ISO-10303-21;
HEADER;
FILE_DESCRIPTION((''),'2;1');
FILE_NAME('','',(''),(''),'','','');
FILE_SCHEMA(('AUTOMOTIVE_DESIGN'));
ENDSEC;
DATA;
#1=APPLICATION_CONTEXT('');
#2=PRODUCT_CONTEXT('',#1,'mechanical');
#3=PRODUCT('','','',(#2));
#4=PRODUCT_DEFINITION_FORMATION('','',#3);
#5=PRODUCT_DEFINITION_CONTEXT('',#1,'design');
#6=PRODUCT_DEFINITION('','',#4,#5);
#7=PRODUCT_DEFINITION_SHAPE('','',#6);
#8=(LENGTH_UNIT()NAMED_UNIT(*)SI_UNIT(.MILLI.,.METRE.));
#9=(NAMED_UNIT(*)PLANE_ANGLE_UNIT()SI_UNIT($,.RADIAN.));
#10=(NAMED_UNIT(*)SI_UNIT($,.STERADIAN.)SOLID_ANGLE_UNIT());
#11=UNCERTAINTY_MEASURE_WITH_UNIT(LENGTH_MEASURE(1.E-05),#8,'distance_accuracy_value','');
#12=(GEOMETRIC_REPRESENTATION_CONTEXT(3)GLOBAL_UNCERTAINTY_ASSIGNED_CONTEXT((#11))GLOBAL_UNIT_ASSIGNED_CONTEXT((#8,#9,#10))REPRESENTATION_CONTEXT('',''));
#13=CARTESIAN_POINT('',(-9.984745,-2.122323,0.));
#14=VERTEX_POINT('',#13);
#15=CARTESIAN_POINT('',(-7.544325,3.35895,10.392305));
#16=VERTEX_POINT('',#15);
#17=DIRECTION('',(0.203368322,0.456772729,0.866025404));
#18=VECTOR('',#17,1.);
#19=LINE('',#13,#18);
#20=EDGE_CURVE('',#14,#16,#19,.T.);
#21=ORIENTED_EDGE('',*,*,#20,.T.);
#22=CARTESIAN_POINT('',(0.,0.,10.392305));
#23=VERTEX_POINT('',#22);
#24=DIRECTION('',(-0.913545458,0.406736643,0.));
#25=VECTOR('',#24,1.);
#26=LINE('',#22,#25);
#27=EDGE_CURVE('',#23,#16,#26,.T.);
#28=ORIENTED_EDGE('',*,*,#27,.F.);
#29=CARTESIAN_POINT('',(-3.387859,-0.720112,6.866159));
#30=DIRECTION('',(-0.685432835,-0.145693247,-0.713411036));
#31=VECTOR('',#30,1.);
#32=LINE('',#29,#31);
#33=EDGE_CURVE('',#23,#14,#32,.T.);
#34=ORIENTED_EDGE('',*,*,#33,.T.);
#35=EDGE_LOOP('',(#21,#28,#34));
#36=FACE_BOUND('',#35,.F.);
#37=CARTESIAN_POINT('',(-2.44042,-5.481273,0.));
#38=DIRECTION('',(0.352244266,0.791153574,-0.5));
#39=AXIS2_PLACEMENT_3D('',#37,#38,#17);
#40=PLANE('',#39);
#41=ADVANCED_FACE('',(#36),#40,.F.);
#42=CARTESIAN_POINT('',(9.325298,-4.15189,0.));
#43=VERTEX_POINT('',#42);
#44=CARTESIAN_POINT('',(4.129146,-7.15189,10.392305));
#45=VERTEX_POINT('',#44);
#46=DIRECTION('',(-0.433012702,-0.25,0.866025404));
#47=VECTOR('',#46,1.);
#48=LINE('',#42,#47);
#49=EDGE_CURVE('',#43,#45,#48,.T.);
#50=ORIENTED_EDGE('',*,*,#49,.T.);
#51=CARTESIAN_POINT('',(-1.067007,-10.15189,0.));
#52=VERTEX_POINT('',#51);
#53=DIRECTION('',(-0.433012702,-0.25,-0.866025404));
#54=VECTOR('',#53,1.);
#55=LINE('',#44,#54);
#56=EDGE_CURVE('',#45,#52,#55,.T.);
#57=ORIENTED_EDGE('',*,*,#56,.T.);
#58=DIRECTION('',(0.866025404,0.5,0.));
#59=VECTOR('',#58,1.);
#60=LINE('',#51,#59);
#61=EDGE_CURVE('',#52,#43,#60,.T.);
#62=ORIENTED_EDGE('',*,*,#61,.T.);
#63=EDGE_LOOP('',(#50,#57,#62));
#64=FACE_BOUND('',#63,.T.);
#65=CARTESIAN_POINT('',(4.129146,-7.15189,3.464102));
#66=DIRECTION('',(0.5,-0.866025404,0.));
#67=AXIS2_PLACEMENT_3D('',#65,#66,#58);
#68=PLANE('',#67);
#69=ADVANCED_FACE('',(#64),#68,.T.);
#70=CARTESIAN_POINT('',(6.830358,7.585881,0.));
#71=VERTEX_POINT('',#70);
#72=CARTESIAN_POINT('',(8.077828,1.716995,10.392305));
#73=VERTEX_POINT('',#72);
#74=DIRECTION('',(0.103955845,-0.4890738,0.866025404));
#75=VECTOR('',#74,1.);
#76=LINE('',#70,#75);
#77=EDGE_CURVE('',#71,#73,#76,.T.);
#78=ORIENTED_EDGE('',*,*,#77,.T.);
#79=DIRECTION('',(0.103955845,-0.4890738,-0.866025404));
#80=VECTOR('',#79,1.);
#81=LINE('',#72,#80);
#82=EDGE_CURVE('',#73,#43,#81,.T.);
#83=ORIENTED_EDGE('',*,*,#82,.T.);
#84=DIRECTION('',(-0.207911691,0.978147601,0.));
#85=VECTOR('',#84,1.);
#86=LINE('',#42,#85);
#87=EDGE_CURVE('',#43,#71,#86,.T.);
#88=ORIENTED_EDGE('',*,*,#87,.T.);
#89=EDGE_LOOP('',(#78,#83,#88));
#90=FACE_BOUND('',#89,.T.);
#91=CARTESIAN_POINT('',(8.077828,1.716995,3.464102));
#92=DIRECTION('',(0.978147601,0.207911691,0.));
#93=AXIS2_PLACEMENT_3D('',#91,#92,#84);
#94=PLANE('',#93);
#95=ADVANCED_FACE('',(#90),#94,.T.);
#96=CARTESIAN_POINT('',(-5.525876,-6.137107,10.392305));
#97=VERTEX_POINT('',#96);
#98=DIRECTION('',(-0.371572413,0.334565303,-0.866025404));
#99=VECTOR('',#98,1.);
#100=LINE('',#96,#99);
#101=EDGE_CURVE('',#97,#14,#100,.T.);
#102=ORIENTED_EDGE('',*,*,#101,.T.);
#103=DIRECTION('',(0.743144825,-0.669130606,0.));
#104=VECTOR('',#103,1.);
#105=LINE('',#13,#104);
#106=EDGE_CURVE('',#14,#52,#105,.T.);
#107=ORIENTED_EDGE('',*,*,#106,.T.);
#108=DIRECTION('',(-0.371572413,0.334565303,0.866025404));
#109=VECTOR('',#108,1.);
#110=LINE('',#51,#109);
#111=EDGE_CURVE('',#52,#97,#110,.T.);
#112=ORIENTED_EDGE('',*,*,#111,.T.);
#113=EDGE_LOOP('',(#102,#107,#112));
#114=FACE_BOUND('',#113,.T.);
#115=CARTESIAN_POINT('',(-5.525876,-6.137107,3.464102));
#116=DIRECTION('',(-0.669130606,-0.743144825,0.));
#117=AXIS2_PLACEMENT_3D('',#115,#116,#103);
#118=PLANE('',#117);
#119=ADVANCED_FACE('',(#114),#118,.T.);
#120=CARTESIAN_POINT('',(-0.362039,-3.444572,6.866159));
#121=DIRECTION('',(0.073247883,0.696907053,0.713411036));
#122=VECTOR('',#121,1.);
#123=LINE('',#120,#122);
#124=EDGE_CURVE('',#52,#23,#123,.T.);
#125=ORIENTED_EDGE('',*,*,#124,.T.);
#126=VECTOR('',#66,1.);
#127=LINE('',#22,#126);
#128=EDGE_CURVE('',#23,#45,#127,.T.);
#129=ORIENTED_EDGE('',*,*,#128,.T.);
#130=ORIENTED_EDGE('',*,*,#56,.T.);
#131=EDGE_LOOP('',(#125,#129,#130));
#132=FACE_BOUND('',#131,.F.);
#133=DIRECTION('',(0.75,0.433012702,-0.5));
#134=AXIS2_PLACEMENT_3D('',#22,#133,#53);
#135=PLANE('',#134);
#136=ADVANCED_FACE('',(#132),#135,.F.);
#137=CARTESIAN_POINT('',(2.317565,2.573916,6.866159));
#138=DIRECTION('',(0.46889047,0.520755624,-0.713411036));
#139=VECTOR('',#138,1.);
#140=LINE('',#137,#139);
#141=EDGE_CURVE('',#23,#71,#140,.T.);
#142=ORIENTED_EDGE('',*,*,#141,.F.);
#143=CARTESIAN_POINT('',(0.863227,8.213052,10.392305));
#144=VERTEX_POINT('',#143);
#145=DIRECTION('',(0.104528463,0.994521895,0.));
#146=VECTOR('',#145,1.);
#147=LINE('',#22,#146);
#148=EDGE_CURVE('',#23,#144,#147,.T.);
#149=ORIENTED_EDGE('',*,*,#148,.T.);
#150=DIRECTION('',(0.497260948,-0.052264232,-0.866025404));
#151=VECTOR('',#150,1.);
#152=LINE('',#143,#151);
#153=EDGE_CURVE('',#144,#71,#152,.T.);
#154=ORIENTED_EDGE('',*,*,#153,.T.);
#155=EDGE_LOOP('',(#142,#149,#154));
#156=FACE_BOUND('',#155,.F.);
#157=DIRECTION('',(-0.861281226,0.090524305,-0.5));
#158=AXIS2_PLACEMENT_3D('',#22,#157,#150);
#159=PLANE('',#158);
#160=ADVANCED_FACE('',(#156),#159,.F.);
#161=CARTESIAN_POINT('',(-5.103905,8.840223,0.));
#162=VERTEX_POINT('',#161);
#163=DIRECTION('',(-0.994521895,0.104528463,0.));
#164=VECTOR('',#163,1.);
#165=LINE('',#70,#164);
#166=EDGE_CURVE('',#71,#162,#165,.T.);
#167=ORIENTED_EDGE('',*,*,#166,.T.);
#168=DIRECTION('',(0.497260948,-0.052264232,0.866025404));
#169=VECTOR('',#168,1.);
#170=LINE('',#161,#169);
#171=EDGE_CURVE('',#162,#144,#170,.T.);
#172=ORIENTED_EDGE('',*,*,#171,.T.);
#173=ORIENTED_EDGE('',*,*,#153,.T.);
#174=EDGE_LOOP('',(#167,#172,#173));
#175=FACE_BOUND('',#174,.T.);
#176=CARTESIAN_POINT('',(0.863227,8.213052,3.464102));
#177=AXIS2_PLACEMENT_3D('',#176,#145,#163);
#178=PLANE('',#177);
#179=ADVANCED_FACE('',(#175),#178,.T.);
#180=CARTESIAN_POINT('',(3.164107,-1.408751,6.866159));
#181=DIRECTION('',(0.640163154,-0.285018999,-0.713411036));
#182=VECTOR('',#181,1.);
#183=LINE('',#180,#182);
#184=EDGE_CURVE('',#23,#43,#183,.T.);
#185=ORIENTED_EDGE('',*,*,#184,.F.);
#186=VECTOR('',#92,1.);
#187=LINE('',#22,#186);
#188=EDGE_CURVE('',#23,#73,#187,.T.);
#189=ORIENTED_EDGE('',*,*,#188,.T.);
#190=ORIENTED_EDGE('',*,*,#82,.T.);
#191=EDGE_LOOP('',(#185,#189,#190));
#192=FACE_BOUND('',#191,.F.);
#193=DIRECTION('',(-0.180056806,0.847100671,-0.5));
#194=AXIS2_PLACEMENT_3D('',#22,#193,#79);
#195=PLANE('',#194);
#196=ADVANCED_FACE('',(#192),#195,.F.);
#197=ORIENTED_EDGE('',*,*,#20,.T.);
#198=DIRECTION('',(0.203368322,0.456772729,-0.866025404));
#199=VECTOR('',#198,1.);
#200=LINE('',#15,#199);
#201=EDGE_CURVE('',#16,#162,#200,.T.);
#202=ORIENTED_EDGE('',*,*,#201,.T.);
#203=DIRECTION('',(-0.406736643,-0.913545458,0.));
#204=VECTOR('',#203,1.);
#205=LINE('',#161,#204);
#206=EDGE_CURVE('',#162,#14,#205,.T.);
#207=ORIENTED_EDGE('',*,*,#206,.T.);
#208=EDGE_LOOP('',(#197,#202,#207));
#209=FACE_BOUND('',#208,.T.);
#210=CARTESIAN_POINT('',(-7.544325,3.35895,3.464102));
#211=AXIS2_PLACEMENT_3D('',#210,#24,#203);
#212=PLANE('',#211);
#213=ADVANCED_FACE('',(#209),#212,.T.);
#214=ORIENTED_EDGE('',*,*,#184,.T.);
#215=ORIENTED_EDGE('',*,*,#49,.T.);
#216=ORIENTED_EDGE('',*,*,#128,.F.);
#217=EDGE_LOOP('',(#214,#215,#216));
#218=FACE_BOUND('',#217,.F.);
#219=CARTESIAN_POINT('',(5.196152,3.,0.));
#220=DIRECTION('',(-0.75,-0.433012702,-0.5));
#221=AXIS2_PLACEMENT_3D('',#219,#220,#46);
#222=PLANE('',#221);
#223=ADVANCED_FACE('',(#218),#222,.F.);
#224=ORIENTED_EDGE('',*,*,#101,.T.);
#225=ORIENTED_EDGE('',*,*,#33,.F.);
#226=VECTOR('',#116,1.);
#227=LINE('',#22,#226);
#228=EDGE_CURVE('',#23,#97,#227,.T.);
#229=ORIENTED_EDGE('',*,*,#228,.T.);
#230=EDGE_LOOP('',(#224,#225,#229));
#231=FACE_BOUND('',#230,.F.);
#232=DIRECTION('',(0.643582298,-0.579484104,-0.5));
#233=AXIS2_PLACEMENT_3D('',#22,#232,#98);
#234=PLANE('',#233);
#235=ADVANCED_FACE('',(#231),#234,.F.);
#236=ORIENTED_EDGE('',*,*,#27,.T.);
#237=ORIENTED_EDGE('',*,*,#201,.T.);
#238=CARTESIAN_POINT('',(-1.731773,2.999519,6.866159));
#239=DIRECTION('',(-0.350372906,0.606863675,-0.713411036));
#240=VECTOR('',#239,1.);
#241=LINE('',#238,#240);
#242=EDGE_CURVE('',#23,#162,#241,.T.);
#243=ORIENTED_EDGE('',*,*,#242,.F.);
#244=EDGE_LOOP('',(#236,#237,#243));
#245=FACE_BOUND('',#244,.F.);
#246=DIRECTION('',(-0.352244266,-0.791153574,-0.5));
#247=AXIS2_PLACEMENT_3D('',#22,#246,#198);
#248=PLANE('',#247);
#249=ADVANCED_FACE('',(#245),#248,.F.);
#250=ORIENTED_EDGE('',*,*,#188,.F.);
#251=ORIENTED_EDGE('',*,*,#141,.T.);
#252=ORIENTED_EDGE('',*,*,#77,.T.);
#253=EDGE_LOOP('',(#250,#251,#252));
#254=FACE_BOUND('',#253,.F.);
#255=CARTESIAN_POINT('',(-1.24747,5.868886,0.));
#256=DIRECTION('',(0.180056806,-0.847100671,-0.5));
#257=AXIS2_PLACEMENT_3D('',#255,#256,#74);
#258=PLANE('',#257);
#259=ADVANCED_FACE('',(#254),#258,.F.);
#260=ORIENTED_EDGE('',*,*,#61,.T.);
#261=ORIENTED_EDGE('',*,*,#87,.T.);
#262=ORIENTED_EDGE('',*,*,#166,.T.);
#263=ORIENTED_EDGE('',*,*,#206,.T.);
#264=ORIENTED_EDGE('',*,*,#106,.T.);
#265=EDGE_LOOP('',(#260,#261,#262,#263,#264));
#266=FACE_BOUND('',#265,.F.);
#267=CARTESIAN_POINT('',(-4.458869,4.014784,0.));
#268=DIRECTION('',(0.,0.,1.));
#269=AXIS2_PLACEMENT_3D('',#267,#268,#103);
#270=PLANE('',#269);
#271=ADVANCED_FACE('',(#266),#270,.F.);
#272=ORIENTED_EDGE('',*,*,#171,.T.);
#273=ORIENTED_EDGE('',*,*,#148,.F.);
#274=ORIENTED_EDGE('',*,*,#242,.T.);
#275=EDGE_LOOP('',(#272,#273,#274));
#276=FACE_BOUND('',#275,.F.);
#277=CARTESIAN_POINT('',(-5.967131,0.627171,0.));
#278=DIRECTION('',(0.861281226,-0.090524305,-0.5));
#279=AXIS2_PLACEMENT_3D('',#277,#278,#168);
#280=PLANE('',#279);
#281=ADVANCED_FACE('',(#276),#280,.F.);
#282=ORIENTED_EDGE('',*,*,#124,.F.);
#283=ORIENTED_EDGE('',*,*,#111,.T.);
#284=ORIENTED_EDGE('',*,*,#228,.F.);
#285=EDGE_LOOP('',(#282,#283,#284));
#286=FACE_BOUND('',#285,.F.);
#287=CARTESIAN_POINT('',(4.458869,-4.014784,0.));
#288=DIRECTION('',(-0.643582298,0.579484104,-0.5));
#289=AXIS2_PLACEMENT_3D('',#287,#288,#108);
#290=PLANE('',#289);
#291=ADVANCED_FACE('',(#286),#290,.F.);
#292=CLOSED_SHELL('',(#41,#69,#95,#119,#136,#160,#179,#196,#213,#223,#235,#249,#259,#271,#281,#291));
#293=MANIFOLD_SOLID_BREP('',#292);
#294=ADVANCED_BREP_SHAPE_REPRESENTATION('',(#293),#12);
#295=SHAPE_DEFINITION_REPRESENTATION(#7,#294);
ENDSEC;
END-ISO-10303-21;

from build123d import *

# Parameters (mm, degrees)
F2_DEPTH = 8.2582915228
F4_COUNT = 5
F5_ANGLE = 30


with BuildPart() as f2:
    # F1 (on Front) → F2 (new body, through all)
    with BuildSketch(Plane.XZ):
        Polygon((0, 10.3923048454), (-6, 0), (6, 0), align=None)
    extrude(amount=F2_DEPTH)

    # F4: F2 ×5 about axis
    f4_axis = Axis((0, 0, 5.1961524227), (0, 0, 1))


with BuildPart() as f2_1:
    add(f2.part)
    for i in range(1, F4_COUNT):
        add(f2.part.rotate(f4_axis, i * 360 / F4_COUNT))


with BuildPart() as f2_2:
    # F5: moved
    add(f2_1.part.rotate(Axis((0, 0, 0), (0, 0, 1)), F5_ANGLE))


solid = f2_2.part
